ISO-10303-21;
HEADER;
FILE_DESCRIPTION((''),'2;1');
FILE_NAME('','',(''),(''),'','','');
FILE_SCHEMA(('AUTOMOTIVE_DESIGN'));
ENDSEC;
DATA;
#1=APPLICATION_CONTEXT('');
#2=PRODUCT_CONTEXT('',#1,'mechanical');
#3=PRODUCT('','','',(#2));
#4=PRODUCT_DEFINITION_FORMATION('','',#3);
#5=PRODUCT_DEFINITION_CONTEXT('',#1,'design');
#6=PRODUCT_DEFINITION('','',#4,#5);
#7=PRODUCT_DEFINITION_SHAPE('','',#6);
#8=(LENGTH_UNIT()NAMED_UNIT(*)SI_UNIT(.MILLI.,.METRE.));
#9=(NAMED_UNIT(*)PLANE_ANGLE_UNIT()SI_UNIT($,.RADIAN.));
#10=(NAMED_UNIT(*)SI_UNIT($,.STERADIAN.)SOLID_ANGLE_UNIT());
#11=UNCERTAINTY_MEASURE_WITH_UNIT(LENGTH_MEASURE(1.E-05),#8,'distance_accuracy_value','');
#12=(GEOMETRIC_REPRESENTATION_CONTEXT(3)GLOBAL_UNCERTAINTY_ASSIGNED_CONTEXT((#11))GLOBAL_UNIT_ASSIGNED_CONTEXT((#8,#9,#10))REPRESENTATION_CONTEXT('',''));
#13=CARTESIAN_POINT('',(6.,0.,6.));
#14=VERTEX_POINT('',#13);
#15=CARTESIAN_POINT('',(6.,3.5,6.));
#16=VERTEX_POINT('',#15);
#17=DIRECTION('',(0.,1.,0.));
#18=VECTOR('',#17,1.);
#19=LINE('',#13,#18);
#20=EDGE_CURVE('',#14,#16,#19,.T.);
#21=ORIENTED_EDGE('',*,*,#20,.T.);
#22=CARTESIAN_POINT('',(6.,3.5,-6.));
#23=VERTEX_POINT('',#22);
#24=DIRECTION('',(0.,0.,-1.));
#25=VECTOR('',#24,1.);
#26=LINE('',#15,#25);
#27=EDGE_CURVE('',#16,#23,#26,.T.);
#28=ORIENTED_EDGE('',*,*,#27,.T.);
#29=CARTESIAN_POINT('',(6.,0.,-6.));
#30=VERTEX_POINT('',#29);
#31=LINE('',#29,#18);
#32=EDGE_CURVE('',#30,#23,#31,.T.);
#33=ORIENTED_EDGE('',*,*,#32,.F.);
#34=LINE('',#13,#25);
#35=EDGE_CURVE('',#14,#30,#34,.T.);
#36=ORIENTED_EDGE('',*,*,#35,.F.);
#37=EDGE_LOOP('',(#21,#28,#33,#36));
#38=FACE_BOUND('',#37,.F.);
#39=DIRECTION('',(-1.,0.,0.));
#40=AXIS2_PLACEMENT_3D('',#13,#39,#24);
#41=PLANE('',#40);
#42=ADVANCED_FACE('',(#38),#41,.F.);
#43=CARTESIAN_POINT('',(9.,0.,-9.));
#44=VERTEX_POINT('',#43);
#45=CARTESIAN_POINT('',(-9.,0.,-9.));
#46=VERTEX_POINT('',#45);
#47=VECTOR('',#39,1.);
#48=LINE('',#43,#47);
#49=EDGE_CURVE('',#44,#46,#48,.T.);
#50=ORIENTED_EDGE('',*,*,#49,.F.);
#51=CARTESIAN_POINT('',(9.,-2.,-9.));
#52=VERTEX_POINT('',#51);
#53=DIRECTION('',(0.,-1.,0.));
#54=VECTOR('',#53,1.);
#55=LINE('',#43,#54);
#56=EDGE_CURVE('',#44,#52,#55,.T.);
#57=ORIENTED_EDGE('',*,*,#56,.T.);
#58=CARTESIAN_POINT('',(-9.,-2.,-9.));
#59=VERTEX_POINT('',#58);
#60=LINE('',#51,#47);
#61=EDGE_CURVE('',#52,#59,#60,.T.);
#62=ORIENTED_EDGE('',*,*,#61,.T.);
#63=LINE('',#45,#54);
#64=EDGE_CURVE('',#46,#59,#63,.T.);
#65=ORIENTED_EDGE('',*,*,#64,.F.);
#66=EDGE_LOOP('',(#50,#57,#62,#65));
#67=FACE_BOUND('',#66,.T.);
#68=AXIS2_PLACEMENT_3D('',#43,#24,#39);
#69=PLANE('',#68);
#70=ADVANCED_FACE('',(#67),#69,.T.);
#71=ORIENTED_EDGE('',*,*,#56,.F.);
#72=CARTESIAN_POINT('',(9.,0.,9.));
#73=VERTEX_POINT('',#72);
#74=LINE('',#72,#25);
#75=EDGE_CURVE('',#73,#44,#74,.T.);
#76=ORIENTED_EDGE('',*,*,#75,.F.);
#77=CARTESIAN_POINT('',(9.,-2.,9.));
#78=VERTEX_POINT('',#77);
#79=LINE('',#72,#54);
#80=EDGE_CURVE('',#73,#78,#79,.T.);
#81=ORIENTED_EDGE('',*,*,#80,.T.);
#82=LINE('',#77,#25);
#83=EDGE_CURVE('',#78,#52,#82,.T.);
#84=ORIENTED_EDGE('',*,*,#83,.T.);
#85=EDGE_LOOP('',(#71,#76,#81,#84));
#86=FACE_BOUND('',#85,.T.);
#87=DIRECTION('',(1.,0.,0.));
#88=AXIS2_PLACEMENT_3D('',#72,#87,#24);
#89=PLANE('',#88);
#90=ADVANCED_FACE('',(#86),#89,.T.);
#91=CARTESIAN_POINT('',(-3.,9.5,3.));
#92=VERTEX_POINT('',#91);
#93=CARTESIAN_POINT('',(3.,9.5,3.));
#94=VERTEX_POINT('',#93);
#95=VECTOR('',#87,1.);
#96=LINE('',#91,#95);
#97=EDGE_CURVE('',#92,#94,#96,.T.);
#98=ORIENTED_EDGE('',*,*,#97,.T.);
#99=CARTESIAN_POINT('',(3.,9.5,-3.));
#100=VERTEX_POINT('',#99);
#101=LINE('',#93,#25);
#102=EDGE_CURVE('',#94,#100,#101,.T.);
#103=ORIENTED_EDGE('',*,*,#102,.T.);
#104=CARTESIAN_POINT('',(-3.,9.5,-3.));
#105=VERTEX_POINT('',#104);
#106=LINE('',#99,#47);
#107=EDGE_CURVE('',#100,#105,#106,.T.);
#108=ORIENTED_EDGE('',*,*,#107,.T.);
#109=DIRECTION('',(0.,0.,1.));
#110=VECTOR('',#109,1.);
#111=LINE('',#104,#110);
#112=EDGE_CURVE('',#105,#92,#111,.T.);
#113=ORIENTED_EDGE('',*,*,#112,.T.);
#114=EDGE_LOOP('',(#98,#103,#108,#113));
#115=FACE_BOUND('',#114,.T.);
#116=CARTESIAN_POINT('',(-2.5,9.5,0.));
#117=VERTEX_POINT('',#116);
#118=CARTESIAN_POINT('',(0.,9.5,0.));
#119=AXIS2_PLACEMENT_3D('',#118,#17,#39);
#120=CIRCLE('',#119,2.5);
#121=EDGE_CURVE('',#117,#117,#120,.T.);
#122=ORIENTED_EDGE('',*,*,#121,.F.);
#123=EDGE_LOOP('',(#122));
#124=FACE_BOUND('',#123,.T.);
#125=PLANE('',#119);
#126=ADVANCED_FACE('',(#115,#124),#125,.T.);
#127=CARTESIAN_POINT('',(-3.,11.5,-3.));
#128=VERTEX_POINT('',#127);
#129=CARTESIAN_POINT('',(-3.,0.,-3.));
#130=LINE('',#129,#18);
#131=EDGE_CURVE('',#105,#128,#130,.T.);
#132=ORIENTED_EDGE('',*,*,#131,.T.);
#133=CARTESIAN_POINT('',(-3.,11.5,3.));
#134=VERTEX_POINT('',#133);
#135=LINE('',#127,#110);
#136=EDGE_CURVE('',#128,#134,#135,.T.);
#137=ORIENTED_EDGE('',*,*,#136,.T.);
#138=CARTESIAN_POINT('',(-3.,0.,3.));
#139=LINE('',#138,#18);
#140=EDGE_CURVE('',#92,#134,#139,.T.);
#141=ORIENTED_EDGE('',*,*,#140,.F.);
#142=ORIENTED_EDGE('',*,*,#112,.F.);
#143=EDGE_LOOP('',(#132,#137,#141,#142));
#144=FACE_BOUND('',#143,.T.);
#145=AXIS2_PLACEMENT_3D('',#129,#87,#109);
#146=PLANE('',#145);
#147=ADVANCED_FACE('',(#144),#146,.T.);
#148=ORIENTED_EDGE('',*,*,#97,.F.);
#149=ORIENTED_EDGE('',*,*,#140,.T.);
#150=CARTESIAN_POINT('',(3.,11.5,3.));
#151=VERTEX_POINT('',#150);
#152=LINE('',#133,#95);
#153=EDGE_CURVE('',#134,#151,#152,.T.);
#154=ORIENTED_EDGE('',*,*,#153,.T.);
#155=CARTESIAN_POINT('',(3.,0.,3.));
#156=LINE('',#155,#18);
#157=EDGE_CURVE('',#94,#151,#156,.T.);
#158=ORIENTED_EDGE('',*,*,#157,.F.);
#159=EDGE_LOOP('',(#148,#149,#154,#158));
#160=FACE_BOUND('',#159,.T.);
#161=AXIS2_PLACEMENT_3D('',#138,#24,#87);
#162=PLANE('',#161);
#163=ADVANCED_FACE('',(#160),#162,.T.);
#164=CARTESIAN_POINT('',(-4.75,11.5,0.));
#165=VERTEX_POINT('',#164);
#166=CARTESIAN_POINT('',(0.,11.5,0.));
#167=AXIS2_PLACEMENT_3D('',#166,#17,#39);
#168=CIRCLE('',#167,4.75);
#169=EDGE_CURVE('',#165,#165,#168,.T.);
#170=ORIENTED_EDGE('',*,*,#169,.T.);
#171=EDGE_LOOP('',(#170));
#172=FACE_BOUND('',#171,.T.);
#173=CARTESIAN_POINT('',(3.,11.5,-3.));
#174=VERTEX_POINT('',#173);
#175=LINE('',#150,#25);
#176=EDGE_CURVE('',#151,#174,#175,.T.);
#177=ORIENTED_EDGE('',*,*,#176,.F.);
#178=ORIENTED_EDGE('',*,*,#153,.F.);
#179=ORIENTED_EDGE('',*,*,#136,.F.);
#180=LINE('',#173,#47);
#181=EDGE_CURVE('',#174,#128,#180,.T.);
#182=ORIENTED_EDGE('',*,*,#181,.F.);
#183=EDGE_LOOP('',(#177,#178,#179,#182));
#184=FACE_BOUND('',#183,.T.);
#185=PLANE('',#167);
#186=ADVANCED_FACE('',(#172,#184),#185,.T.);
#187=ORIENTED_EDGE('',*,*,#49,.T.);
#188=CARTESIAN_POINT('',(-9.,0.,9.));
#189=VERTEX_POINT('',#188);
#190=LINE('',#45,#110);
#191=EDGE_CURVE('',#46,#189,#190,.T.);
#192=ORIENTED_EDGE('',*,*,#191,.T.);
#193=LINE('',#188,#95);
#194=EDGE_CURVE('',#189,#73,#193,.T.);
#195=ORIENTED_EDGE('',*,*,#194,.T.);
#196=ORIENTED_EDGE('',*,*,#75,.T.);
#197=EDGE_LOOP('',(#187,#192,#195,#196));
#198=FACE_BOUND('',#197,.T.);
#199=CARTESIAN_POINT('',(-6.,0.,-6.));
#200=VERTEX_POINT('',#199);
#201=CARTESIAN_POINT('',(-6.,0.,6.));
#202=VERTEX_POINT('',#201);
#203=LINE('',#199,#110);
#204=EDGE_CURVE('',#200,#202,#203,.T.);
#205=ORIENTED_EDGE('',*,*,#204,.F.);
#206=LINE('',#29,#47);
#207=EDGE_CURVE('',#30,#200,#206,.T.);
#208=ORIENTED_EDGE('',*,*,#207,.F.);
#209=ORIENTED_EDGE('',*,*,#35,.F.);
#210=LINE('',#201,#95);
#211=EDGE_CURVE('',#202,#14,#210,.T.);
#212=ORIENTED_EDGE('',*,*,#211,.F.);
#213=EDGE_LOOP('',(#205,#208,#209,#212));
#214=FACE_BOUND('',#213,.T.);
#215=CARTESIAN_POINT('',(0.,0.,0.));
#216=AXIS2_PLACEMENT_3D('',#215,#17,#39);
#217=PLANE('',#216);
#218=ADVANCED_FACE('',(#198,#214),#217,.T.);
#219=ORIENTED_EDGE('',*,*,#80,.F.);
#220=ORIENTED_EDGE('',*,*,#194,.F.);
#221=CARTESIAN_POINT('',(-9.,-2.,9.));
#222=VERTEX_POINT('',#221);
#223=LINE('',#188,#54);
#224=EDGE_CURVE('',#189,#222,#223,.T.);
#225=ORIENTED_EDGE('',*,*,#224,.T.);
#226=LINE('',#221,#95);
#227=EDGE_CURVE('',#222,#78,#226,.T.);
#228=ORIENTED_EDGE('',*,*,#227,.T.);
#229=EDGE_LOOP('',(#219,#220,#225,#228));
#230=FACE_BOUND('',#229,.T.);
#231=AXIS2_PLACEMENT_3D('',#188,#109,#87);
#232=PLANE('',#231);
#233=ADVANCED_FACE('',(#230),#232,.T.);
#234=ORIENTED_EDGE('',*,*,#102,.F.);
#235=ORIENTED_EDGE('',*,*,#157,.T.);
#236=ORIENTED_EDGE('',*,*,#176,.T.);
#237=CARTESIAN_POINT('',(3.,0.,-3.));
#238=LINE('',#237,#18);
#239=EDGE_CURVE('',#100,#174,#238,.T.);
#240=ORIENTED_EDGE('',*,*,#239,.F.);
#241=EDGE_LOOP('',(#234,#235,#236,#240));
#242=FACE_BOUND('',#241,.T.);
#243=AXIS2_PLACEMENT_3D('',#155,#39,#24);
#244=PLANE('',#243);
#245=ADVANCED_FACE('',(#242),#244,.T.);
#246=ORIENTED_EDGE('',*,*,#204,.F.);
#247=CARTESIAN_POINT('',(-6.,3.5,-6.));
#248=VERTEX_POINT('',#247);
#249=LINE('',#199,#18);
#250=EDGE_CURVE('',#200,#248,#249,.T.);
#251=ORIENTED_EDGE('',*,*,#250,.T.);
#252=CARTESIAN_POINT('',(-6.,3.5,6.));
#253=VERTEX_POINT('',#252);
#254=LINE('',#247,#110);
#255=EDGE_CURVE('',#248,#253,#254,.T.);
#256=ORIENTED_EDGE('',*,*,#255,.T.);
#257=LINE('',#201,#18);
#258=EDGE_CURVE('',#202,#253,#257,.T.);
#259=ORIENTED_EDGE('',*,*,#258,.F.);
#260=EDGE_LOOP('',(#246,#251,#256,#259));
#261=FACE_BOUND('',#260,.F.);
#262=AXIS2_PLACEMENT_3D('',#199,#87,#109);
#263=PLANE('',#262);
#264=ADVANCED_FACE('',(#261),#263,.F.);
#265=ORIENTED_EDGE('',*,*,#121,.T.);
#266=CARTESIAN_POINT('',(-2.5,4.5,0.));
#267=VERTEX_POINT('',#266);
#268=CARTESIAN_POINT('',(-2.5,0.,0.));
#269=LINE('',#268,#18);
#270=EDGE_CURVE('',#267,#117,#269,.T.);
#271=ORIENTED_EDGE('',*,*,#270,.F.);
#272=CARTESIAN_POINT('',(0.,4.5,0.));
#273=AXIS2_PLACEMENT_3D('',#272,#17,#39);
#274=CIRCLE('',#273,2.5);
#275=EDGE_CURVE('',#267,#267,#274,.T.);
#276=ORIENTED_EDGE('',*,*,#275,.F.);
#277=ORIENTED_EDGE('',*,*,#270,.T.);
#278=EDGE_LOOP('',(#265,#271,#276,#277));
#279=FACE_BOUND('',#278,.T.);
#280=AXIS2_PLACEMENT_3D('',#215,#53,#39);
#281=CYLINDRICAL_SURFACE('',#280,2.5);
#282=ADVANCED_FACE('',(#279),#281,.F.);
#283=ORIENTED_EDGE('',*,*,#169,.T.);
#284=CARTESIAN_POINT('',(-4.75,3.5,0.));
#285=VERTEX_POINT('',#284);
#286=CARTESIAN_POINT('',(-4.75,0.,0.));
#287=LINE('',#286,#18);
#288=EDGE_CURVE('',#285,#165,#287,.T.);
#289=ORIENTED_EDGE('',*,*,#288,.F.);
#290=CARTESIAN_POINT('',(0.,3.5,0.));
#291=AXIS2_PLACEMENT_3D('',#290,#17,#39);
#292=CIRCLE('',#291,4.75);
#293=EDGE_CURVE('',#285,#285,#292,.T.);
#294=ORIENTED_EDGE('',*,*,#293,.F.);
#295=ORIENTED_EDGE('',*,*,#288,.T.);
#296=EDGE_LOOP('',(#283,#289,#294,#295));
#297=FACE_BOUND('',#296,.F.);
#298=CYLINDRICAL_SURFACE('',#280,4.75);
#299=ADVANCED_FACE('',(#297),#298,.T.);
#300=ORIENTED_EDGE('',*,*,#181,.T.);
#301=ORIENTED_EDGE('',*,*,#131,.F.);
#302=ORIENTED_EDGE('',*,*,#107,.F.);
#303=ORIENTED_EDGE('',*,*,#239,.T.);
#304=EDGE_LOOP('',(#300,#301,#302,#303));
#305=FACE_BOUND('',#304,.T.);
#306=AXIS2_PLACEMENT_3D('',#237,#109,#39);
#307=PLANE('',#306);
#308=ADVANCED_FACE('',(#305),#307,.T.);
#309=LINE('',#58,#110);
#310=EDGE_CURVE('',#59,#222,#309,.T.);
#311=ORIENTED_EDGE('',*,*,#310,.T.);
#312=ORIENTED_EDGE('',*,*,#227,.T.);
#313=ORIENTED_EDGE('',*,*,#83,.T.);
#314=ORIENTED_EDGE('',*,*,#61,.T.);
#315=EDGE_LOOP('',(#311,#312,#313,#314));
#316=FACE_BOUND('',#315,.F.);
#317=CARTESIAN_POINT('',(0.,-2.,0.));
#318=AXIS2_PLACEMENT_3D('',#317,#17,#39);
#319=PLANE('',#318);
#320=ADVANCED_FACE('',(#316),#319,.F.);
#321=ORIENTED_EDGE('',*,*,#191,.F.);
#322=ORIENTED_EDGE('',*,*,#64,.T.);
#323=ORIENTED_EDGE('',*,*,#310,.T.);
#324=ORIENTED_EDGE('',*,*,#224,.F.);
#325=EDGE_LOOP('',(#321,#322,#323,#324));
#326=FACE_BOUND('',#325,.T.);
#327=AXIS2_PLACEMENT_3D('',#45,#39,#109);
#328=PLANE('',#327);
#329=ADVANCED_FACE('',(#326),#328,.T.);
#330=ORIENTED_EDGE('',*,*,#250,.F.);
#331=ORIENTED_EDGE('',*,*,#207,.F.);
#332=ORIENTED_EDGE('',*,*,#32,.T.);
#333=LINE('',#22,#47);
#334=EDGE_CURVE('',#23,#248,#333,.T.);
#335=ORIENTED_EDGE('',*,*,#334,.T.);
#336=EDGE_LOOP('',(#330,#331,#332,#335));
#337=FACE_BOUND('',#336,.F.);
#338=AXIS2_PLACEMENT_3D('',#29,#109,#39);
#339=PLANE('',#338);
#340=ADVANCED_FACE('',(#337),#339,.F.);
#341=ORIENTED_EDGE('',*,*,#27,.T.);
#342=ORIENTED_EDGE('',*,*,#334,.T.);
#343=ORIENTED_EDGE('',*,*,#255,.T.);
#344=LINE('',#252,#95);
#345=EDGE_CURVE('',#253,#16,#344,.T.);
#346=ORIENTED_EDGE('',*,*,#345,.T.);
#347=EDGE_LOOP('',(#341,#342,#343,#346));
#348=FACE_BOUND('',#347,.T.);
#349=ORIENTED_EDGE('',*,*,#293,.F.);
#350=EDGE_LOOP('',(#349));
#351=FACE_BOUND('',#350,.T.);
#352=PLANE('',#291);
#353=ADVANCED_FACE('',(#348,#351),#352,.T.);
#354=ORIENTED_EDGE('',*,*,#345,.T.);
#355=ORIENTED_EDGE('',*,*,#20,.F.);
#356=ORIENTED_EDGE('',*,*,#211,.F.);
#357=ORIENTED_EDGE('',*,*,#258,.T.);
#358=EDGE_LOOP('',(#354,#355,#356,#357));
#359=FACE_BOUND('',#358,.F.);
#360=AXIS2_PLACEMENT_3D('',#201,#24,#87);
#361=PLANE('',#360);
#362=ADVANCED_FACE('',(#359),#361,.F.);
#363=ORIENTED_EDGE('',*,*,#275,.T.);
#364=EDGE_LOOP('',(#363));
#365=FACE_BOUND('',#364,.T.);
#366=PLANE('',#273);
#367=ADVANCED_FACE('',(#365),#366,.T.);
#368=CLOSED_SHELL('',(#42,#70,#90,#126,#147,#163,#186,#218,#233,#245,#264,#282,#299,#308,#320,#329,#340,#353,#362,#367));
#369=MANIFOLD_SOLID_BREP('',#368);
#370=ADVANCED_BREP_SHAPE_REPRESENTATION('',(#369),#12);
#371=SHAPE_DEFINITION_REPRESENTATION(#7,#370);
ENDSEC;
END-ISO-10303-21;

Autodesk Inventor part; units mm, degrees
ref_plane "YZ Plane" through (0, 0, 0) normal (1, 0, 0) x (0, 1, 0)
ref_plane "XZ Plane" through (0, 0, 0) normal (0, 1, 0) x (-1, 0, 0)
ref_plane "XY Plane" through (0, 0, 0) normal (0, 0, 1) x (1, 0, 0)
sketch "Sketch1" plane through (0, 0, 0) normal (0, 1, 0) x (-1, 0, 0)
  circle A0 centre (0, 0) radius 2.5
  circle A1 centre (0, 0) radius 4.75
  line L0 (3, 3) -> (-3, 3)
  line L1 (-3, 3) -> (-3, -3)
  line L2 (-3, -3) -> (3, -3)
  line L3 (3, -3) -> (3, 3)
  line L4 (3, 3) -> (-3, -3) construction
  line L5 (-3, 3) -> (3, -3) construction
  line L6 (6, 6) -> (-6, 6)
  line L7 (-6, 6) -> (-6, -6)
  line L8 (-6, -6) -> (6, -6)
  line L9 (6, -6) -> (6, 6)
  line L10 (6, 6) -> (-6, -6) construction
  line L11 (-6, 6) -> (6, -6) construction
  line L12 (9, 9) -> (-9, 9)
  line L13 (-9, 9) -> (-9, -9)
  line L14 (-9, -9) -> (9, -9)
  line L15 (9, -9) -> (9, 9)
  line L16 (9, 9) -> (-9, -9) construction
  line L17 (-9, 9) -> (9, -9) construction
  dimension "d9" = 5
  dimension "d10" = 9.5
  dimension "d11" = 6
  dimension "d12" = 6
  dimension "d13" = 12
  dimension "d14" = 12
  dimension "d15" = 18
extrude "Extrusion1" add sketch "Sketch1" against normal blind 2 contours A0 | A1 | L3 L2 L1 L0 | L9 L8 L7 L6 | L15 L14 L13 L12
extrude "Extrusion2" add sketch "Sketch1" along normal blind 3.5 contours L9 L8 L7 L6
extrude "Extrusion3" add sketch "Sketch1" along normal blind 11.5 contours A1
extrude "Extrusion4" add sketch "Sketch1" along normal blind 9.5 contours L3 L2 L1 L0
extrude "Extrusion5" add sketch "Sketch1" along normal blind 4.5 contours A0
equation "\"d13\" = PIVOT_SQUARE"
equation "\"d14\" = PIVOT_SQUARE"
equation "\"PIVOT_SQUARE\" = 12"
properties part number "HexPivot"
